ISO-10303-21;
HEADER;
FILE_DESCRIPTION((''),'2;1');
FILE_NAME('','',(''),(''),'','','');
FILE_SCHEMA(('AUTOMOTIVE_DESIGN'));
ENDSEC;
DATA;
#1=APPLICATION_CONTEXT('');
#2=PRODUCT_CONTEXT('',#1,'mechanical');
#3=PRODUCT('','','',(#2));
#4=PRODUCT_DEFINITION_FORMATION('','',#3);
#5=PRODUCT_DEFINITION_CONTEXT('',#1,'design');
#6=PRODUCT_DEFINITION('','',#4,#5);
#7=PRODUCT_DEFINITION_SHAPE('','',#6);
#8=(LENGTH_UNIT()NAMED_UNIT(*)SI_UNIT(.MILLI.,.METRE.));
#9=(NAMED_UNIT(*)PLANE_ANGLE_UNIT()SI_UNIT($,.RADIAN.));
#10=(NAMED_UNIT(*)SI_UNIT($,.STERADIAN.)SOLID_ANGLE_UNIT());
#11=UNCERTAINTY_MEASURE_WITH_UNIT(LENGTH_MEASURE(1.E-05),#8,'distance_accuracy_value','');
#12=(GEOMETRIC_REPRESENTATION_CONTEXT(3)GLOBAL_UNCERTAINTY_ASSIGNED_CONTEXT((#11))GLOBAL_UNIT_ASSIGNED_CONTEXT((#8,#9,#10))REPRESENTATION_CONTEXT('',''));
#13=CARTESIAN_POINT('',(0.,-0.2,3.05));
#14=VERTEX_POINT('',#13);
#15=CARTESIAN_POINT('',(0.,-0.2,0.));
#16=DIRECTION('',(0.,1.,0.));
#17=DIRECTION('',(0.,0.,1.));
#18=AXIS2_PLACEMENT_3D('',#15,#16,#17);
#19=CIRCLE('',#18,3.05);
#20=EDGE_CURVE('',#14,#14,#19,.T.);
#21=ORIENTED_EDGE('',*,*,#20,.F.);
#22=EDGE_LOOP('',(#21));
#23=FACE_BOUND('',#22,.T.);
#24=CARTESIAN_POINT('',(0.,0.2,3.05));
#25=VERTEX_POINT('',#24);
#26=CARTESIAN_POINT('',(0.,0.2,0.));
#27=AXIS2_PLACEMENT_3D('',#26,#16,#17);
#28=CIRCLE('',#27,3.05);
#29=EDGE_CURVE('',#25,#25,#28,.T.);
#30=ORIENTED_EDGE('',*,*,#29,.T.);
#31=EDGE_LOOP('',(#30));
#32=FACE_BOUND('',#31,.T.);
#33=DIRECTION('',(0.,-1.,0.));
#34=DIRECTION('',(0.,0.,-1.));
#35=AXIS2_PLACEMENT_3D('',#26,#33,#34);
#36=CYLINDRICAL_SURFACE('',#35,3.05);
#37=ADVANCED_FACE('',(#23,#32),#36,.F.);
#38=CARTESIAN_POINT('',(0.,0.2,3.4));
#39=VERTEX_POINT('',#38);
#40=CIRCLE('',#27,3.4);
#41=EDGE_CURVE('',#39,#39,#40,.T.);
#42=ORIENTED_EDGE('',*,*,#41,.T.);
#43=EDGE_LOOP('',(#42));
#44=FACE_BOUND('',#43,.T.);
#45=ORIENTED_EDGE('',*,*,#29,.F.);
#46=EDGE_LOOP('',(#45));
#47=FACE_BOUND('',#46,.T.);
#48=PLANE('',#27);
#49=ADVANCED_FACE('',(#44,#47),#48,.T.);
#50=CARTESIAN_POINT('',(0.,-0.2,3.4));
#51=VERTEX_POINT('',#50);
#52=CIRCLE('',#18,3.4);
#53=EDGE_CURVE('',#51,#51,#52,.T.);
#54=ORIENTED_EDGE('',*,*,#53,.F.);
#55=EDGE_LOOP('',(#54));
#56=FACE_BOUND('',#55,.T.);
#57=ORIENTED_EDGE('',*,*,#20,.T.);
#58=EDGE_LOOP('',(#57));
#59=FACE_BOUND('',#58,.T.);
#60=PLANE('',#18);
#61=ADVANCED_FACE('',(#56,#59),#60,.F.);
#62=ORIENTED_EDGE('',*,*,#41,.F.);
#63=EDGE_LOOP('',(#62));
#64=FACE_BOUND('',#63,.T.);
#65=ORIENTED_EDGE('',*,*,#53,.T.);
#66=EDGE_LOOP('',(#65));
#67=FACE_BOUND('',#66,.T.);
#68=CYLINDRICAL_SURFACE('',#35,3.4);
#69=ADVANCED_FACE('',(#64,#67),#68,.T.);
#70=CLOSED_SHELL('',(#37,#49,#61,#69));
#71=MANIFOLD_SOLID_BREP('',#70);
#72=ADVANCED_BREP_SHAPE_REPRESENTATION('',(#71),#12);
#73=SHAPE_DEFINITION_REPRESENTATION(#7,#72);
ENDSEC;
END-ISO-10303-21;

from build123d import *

# Parameters (mm, degrees)
SKETCH_1_R      = 3.4
SKETCH_1_R_2    = 3.05
EXTRUDE_1_DEPTH = 0.2


with BuildPart() as part:
    # 草图1 → 凸台-拉伸1 (new, symmetric)
    with BuildSketch(Plane(origin=(0, 0, 0), x_dir=(1, 0, 0), z_dir=(0, 1, 0))):
        with Locations(Location((0, 0, 0), (0, 0, 270))):
            Circle(SKETCH_1_R)
        with Locations(Location((0, 0, 0), (0, 0, 270))):
            Circle(SKETCH_1_R_2, mode=Mode.SUBTRACT)
    extrude(amount=EXTRUDE_1_DEPTH, both=True)


solid = part.part
